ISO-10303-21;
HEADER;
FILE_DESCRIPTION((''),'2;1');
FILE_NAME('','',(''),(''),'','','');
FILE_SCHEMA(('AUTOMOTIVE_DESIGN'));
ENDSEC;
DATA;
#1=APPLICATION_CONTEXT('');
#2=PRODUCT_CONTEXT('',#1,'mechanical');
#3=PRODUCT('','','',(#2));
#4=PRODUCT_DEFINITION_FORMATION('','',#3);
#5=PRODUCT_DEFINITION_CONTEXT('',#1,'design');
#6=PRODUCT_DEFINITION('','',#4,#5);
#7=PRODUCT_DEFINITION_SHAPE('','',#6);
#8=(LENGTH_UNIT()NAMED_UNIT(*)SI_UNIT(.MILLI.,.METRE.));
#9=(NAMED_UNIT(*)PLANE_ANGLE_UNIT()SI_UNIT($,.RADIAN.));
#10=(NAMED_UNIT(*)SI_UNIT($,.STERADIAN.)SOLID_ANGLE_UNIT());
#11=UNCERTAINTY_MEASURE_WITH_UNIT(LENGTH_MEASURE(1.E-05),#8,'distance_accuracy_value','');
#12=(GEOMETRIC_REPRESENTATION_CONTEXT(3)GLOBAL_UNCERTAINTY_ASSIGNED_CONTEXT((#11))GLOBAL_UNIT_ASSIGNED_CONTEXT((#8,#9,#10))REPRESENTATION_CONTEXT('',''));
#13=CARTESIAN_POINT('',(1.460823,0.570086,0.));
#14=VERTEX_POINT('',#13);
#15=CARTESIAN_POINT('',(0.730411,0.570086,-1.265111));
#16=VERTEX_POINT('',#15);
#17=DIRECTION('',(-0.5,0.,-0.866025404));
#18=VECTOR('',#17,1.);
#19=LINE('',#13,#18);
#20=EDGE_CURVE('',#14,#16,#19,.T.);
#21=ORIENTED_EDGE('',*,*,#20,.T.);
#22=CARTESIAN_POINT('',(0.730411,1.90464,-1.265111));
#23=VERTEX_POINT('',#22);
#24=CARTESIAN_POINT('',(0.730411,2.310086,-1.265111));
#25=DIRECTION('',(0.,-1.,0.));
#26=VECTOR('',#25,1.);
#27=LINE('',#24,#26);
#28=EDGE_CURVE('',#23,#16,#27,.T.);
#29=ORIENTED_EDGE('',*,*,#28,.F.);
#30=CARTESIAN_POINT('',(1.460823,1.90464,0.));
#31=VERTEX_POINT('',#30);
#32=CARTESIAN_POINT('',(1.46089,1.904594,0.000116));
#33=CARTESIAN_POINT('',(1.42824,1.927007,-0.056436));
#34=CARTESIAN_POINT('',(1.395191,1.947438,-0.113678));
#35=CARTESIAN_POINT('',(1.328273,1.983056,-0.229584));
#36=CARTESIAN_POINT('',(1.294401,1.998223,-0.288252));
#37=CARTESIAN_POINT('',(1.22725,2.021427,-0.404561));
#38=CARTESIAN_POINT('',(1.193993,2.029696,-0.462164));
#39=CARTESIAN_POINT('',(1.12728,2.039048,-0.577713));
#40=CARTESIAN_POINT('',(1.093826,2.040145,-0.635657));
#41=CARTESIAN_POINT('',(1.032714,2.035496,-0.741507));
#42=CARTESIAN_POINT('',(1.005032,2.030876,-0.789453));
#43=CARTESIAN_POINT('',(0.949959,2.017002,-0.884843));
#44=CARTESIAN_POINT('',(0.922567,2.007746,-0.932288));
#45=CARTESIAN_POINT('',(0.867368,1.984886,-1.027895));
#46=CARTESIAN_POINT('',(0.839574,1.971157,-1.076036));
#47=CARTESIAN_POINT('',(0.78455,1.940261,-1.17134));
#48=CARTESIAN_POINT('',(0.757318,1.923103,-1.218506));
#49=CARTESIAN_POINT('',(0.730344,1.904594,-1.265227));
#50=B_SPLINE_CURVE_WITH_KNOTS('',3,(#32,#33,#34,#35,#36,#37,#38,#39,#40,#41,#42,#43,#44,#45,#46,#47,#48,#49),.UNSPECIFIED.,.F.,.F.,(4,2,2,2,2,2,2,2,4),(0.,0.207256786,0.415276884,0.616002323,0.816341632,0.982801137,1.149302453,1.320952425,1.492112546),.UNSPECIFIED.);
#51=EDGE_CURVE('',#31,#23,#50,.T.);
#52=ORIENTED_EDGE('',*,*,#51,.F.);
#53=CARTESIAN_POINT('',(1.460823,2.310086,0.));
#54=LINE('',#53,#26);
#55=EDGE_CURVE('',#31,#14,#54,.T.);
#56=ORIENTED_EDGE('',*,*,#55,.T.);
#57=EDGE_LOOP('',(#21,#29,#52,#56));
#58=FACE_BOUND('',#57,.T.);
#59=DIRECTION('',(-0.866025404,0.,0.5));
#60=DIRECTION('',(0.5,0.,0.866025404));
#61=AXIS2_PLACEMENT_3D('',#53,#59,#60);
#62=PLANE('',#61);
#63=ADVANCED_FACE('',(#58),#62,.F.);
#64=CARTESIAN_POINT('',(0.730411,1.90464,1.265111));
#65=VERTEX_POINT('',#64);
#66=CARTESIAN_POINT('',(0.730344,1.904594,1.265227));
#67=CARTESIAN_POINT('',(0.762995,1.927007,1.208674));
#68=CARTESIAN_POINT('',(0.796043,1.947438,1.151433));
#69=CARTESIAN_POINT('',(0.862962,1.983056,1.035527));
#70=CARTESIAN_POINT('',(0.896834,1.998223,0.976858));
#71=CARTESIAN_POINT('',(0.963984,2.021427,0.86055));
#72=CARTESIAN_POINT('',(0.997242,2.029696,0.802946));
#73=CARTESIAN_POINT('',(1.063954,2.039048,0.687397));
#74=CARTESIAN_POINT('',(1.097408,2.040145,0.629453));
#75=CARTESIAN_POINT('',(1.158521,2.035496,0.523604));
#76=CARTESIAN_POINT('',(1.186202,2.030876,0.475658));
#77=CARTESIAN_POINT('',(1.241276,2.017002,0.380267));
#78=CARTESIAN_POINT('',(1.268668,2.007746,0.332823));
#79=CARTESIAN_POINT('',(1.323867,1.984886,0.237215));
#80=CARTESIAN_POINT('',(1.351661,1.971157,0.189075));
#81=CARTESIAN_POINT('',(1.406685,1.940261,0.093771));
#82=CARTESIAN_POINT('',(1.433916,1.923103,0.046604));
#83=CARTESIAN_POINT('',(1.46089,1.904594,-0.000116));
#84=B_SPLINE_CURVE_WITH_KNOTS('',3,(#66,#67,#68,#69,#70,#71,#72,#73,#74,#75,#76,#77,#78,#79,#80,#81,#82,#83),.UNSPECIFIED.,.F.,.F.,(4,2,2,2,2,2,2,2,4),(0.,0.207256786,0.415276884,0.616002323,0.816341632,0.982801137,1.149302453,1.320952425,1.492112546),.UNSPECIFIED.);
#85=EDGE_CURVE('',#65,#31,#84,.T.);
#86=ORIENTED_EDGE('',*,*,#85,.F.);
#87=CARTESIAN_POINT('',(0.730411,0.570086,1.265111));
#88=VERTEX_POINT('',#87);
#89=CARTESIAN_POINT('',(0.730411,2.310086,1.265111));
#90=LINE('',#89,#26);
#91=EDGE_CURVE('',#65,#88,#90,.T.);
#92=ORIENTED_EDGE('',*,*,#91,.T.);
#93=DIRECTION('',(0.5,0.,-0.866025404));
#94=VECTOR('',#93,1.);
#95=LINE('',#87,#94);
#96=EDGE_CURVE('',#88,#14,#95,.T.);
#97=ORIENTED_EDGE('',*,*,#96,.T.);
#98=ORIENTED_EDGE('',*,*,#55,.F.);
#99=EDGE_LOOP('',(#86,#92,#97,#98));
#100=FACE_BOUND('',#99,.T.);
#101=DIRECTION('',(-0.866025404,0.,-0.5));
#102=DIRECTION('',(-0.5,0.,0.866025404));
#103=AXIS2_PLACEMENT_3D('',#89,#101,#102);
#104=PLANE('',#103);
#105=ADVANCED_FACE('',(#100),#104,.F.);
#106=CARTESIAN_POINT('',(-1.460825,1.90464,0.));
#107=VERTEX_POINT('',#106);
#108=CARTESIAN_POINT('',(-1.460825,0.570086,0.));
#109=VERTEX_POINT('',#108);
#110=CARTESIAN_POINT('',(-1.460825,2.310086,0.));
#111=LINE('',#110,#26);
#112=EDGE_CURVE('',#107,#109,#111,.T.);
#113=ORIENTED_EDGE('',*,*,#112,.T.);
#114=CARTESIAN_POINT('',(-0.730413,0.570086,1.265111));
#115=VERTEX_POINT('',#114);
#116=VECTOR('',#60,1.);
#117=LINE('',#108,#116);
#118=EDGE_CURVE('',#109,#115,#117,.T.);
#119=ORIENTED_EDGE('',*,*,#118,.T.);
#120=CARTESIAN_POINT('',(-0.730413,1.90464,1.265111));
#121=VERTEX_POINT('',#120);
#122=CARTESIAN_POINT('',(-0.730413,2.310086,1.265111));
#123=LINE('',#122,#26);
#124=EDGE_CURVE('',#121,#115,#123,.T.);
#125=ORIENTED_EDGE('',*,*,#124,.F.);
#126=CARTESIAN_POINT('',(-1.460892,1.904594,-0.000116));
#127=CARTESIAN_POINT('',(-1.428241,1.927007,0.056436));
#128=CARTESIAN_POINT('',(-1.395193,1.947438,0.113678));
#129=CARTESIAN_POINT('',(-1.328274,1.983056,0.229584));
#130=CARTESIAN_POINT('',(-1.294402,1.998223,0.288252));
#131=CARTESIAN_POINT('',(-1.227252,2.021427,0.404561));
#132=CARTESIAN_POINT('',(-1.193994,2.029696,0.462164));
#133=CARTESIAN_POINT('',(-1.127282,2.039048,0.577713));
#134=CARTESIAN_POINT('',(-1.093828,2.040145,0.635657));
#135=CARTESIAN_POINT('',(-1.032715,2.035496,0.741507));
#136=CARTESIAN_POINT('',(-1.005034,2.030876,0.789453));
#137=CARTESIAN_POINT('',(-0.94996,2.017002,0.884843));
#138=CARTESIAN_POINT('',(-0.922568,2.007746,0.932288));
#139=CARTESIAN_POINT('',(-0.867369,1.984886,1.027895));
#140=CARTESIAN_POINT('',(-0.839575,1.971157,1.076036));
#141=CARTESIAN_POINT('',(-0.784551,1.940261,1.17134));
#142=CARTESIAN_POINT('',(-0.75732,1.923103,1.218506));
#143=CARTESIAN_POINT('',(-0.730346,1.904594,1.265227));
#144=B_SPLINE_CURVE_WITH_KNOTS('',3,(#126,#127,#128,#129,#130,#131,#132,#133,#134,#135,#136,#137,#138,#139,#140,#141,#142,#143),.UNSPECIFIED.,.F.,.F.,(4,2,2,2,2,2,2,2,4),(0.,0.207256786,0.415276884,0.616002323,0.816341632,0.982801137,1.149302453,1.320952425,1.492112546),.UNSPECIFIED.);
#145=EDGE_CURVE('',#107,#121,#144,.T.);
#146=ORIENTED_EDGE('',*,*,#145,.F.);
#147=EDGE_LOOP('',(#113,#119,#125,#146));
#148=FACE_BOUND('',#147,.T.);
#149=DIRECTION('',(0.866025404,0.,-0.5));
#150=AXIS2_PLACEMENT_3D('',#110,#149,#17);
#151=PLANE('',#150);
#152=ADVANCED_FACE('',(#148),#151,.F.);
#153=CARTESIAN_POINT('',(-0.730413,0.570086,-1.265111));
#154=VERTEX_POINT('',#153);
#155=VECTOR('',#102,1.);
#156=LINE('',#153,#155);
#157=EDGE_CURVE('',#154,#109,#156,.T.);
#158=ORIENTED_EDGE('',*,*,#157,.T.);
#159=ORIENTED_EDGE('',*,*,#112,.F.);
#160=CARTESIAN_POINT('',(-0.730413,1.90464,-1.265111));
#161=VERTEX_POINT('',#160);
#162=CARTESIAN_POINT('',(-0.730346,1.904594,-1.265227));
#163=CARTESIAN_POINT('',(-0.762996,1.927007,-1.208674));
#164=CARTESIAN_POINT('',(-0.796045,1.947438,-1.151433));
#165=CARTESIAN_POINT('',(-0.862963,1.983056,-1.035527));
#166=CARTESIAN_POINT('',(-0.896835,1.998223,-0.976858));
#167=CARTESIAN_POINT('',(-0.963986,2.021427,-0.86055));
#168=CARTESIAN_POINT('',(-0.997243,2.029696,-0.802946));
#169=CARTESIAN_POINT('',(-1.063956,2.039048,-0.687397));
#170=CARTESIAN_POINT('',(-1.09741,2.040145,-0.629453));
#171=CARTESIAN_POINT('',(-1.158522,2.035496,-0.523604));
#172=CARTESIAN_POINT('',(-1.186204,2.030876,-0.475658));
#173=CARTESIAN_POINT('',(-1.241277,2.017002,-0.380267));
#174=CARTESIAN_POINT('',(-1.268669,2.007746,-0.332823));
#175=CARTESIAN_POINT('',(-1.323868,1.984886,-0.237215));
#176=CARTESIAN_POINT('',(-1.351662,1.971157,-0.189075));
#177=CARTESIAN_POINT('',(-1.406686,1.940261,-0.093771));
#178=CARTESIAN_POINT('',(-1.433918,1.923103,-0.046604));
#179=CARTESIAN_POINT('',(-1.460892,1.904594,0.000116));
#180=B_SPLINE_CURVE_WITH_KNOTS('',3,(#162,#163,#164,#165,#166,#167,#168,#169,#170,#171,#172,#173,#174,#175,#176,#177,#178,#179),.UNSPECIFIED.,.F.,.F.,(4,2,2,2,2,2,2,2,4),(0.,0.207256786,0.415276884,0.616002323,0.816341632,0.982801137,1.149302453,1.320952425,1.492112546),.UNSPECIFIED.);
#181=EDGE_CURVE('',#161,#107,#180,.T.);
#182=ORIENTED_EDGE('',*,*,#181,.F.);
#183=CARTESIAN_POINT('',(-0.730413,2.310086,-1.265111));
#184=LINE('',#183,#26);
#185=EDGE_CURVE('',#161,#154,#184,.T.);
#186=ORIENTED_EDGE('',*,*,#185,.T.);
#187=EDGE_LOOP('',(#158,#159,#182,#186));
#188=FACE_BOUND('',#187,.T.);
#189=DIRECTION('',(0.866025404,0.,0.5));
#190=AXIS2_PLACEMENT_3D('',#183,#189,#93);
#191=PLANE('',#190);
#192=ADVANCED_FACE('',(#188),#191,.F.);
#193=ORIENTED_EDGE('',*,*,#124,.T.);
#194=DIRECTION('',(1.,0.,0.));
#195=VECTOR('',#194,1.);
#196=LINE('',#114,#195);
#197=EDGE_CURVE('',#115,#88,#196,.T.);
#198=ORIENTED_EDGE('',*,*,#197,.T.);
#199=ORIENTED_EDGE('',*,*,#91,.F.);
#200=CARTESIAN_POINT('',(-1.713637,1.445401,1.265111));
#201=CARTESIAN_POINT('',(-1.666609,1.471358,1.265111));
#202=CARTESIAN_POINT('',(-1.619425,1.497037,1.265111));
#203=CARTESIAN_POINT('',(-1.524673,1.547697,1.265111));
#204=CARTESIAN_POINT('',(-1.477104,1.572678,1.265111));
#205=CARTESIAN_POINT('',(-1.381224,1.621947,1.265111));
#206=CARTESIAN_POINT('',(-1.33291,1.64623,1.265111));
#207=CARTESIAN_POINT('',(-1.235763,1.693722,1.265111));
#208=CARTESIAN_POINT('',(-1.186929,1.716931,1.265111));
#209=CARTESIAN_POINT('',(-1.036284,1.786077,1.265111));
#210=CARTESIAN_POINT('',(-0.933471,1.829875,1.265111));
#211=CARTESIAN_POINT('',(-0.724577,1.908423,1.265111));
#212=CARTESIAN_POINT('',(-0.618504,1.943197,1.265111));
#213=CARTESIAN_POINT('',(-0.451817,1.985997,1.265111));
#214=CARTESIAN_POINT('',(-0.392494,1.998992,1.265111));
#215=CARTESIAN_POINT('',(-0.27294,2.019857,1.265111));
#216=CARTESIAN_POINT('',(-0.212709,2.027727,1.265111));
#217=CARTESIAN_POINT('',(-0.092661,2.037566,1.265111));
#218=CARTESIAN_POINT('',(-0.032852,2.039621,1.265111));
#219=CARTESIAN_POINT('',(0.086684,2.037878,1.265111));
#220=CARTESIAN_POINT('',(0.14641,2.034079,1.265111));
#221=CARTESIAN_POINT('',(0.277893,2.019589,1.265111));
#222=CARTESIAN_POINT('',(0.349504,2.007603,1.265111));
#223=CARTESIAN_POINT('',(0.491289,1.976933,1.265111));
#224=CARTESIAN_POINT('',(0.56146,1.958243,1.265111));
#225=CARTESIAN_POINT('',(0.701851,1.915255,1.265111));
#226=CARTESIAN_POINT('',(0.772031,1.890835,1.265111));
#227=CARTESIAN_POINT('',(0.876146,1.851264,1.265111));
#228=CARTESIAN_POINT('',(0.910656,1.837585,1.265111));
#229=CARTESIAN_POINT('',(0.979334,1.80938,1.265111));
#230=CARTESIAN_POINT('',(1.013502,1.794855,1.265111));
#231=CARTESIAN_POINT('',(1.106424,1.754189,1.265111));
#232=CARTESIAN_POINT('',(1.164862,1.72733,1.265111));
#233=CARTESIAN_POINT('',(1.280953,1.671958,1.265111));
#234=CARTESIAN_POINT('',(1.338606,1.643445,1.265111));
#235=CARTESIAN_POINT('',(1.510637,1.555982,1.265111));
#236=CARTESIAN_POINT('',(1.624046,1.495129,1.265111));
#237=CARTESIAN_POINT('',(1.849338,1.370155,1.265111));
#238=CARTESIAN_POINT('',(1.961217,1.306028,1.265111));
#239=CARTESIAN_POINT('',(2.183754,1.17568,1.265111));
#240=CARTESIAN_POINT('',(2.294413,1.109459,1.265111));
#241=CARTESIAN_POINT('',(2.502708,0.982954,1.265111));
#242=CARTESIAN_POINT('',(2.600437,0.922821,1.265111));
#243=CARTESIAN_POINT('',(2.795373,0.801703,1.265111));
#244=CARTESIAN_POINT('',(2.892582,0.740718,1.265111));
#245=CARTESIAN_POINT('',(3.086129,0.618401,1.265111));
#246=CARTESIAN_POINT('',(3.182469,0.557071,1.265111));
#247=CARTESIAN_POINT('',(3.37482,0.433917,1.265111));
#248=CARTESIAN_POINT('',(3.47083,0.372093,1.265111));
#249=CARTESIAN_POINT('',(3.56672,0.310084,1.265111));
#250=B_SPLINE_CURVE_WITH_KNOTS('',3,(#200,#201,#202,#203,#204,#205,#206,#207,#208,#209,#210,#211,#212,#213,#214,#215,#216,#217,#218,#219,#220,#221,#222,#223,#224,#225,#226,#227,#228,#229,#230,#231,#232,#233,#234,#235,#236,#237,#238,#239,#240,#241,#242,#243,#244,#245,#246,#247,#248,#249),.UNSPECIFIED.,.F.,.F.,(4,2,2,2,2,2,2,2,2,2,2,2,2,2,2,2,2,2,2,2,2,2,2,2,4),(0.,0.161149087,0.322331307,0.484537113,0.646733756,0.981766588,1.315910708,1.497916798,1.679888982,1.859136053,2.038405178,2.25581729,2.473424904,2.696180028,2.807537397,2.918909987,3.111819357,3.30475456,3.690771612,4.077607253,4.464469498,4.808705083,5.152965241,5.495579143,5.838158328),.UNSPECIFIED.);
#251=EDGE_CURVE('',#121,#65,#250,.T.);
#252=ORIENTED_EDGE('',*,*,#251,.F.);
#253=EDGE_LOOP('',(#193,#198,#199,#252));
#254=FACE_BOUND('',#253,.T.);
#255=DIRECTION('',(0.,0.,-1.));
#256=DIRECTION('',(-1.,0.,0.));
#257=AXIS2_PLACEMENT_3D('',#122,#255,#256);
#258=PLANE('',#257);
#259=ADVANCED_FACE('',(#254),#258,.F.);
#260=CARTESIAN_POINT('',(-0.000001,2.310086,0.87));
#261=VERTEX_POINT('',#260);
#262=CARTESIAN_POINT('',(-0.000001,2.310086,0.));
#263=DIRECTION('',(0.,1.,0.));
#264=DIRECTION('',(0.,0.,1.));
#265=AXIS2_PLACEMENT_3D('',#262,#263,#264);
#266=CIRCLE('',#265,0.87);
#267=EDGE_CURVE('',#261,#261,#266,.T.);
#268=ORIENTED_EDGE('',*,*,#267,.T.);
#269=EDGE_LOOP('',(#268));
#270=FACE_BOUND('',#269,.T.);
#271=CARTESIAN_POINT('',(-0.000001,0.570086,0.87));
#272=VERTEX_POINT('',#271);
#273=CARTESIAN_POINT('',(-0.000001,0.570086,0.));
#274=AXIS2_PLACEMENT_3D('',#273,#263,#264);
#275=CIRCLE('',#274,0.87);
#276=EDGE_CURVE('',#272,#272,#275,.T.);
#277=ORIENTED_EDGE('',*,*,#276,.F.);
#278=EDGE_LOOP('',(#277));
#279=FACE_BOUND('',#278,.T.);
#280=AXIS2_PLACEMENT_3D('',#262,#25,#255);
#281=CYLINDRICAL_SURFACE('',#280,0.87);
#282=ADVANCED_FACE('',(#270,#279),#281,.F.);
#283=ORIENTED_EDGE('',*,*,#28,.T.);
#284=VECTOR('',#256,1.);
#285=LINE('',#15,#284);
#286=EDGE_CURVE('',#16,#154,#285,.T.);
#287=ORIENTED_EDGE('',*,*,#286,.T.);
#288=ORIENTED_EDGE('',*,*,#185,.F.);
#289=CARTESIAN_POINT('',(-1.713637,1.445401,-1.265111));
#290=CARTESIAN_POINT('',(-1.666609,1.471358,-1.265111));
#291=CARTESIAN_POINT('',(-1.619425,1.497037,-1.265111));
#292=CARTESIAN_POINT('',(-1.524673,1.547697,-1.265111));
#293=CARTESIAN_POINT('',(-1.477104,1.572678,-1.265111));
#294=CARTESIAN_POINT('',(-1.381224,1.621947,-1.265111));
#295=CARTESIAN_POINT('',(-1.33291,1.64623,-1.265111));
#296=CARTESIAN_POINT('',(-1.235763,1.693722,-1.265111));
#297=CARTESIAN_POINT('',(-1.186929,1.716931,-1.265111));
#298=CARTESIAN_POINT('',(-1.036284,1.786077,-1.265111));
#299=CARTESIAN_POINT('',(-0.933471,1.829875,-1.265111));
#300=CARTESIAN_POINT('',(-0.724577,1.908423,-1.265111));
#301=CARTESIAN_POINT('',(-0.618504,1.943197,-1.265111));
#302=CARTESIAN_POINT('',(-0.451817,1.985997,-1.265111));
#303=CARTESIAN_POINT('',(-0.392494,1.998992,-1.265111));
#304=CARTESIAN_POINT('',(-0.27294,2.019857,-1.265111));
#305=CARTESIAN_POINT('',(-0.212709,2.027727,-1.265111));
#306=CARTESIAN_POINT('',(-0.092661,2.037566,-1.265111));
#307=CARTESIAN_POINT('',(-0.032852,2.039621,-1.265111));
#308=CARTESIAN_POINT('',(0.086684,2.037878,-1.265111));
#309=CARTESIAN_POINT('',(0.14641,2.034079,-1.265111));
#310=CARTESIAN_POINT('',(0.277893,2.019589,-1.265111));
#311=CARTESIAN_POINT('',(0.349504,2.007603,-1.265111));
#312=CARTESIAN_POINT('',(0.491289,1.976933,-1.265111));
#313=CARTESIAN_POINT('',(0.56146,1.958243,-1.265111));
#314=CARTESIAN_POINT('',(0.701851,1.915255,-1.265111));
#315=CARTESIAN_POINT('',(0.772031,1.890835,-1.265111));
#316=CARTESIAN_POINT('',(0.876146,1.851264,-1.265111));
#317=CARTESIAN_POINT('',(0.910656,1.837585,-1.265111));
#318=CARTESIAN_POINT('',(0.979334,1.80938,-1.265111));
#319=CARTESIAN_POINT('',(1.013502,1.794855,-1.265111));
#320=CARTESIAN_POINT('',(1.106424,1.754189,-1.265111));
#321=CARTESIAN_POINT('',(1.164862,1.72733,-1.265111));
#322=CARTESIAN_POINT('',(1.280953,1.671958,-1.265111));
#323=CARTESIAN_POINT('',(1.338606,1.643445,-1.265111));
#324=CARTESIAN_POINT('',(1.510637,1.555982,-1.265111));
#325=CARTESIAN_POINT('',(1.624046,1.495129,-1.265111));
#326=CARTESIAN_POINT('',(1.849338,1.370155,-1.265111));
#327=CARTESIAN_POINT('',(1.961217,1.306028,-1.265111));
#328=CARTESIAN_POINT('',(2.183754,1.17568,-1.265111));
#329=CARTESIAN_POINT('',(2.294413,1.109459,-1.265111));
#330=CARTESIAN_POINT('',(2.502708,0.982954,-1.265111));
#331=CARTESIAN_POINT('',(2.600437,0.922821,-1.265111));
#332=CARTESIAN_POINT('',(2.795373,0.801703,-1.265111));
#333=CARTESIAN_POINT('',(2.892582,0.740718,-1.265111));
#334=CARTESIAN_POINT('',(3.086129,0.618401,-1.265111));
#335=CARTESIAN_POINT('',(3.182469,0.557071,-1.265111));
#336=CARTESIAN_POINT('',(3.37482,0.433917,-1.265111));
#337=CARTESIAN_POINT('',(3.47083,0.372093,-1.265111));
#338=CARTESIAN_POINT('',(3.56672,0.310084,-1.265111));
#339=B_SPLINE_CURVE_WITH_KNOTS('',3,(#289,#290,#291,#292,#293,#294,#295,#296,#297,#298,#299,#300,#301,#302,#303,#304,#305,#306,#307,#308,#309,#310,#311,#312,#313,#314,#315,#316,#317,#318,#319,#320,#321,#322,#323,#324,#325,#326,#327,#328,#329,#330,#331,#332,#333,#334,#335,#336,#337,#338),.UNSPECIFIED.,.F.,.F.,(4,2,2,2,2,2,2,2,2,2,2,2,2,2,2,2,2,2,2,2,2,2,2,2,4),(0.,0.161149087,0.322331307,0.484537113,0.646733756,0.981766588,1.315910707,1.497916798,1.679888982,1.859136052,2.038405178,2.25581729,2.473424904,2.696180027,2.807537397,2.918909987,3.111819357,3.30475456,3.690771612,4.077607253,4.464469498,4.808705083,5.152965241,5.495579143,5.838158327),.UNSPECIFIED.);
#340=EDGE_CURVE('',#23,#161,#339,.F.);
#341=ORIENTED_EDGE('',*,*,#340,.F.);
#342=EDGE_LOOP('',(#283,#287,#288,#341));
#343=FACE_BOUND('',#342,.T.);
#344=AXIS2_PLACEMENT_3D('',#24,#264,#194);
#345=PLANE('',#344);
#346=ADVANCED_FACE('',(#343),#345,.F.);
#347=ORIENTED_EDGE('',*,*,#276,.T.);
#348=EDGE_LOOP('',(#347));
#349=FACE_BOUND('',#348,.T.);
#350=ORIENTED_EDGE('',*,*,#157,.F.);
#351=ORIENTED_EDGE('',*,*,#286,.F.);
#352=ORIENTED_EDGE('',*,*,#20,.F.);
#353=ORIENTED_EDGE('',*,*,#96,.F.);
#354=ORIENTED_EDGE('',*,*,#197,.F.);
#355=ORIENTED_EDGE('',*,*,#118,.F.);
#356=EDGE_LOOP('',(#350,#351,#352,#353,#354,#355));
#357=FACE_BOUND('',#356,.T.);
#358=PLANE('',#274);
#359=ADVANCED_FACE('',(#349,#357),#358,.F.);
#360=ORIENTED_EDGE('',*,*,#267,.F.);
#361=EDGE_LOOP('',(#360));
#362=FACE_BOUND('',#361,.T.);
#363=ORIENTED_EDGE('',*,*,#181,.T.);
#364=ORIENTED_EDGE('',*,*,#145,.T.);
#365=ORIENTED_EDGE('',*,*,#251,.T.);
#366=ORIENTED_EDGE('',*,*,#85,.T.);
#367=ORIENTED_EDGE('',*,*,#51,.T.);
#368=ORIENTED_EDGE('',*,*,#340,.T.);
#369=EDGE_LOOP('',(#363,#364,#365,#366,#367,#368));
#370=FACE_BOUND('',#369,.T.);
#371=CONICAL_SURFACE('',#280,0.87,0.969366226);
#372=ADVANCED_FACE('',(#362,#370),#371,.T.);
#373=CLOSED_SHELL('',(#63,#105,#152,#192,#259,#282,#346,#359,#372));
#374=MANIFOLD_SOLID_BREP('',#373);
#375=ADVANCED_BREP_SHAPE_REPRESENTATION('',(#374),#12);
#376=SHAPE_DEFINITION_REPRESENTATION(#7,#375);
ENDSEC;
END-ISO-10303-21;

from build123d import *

# Parameters (mm, degrees)
SKETCH_1_R      = 1.5
EXTRUDE_1_DEPTH = 3
SCALE_1_SCALE   = 0.58


with BuildPart() as part:
    # 草图1 → 凸台-拉伸1 (new body)
    with BuildSketch(Plane(origin=(0, 0, 0), x_dir=(1, 0, 0), z_dir=(0, 1, 0))):
        Polygon((2.51866206, 0), (1.25933103, 2.181225328), (-1.25933103, 2.181225328), (-2.51866206, 0), (-1.25933103, -2.181225328), (1.25933103, -2.181225328), align=None)
        Circle(SKETCH_1_R, mode=Mode.SUBTRACT)
    extrude(amount=EXTRUDE_1_DEPTH)

    # 草图2 → 切除-旋转1 (revolve, cut)
    with BuildSketch(Plane.XY):
        Polygon((1.5, 3), (2.51866206, 2.300955063), (2.51866206, 3), align=None)
    revolve(axis=Axis((0, 3.302801136, 0), (0, -1, 0)), mode=Mode.SUBTRACT)


with BuildPart() as part_1:
    # 缩放比例1: scaled about (0, 1.357333829, 0)
    add(part.part.scale(SCALE_1_SCALE).moved(Location((0, 0.570080208, 0))))


solid = part_1.part
